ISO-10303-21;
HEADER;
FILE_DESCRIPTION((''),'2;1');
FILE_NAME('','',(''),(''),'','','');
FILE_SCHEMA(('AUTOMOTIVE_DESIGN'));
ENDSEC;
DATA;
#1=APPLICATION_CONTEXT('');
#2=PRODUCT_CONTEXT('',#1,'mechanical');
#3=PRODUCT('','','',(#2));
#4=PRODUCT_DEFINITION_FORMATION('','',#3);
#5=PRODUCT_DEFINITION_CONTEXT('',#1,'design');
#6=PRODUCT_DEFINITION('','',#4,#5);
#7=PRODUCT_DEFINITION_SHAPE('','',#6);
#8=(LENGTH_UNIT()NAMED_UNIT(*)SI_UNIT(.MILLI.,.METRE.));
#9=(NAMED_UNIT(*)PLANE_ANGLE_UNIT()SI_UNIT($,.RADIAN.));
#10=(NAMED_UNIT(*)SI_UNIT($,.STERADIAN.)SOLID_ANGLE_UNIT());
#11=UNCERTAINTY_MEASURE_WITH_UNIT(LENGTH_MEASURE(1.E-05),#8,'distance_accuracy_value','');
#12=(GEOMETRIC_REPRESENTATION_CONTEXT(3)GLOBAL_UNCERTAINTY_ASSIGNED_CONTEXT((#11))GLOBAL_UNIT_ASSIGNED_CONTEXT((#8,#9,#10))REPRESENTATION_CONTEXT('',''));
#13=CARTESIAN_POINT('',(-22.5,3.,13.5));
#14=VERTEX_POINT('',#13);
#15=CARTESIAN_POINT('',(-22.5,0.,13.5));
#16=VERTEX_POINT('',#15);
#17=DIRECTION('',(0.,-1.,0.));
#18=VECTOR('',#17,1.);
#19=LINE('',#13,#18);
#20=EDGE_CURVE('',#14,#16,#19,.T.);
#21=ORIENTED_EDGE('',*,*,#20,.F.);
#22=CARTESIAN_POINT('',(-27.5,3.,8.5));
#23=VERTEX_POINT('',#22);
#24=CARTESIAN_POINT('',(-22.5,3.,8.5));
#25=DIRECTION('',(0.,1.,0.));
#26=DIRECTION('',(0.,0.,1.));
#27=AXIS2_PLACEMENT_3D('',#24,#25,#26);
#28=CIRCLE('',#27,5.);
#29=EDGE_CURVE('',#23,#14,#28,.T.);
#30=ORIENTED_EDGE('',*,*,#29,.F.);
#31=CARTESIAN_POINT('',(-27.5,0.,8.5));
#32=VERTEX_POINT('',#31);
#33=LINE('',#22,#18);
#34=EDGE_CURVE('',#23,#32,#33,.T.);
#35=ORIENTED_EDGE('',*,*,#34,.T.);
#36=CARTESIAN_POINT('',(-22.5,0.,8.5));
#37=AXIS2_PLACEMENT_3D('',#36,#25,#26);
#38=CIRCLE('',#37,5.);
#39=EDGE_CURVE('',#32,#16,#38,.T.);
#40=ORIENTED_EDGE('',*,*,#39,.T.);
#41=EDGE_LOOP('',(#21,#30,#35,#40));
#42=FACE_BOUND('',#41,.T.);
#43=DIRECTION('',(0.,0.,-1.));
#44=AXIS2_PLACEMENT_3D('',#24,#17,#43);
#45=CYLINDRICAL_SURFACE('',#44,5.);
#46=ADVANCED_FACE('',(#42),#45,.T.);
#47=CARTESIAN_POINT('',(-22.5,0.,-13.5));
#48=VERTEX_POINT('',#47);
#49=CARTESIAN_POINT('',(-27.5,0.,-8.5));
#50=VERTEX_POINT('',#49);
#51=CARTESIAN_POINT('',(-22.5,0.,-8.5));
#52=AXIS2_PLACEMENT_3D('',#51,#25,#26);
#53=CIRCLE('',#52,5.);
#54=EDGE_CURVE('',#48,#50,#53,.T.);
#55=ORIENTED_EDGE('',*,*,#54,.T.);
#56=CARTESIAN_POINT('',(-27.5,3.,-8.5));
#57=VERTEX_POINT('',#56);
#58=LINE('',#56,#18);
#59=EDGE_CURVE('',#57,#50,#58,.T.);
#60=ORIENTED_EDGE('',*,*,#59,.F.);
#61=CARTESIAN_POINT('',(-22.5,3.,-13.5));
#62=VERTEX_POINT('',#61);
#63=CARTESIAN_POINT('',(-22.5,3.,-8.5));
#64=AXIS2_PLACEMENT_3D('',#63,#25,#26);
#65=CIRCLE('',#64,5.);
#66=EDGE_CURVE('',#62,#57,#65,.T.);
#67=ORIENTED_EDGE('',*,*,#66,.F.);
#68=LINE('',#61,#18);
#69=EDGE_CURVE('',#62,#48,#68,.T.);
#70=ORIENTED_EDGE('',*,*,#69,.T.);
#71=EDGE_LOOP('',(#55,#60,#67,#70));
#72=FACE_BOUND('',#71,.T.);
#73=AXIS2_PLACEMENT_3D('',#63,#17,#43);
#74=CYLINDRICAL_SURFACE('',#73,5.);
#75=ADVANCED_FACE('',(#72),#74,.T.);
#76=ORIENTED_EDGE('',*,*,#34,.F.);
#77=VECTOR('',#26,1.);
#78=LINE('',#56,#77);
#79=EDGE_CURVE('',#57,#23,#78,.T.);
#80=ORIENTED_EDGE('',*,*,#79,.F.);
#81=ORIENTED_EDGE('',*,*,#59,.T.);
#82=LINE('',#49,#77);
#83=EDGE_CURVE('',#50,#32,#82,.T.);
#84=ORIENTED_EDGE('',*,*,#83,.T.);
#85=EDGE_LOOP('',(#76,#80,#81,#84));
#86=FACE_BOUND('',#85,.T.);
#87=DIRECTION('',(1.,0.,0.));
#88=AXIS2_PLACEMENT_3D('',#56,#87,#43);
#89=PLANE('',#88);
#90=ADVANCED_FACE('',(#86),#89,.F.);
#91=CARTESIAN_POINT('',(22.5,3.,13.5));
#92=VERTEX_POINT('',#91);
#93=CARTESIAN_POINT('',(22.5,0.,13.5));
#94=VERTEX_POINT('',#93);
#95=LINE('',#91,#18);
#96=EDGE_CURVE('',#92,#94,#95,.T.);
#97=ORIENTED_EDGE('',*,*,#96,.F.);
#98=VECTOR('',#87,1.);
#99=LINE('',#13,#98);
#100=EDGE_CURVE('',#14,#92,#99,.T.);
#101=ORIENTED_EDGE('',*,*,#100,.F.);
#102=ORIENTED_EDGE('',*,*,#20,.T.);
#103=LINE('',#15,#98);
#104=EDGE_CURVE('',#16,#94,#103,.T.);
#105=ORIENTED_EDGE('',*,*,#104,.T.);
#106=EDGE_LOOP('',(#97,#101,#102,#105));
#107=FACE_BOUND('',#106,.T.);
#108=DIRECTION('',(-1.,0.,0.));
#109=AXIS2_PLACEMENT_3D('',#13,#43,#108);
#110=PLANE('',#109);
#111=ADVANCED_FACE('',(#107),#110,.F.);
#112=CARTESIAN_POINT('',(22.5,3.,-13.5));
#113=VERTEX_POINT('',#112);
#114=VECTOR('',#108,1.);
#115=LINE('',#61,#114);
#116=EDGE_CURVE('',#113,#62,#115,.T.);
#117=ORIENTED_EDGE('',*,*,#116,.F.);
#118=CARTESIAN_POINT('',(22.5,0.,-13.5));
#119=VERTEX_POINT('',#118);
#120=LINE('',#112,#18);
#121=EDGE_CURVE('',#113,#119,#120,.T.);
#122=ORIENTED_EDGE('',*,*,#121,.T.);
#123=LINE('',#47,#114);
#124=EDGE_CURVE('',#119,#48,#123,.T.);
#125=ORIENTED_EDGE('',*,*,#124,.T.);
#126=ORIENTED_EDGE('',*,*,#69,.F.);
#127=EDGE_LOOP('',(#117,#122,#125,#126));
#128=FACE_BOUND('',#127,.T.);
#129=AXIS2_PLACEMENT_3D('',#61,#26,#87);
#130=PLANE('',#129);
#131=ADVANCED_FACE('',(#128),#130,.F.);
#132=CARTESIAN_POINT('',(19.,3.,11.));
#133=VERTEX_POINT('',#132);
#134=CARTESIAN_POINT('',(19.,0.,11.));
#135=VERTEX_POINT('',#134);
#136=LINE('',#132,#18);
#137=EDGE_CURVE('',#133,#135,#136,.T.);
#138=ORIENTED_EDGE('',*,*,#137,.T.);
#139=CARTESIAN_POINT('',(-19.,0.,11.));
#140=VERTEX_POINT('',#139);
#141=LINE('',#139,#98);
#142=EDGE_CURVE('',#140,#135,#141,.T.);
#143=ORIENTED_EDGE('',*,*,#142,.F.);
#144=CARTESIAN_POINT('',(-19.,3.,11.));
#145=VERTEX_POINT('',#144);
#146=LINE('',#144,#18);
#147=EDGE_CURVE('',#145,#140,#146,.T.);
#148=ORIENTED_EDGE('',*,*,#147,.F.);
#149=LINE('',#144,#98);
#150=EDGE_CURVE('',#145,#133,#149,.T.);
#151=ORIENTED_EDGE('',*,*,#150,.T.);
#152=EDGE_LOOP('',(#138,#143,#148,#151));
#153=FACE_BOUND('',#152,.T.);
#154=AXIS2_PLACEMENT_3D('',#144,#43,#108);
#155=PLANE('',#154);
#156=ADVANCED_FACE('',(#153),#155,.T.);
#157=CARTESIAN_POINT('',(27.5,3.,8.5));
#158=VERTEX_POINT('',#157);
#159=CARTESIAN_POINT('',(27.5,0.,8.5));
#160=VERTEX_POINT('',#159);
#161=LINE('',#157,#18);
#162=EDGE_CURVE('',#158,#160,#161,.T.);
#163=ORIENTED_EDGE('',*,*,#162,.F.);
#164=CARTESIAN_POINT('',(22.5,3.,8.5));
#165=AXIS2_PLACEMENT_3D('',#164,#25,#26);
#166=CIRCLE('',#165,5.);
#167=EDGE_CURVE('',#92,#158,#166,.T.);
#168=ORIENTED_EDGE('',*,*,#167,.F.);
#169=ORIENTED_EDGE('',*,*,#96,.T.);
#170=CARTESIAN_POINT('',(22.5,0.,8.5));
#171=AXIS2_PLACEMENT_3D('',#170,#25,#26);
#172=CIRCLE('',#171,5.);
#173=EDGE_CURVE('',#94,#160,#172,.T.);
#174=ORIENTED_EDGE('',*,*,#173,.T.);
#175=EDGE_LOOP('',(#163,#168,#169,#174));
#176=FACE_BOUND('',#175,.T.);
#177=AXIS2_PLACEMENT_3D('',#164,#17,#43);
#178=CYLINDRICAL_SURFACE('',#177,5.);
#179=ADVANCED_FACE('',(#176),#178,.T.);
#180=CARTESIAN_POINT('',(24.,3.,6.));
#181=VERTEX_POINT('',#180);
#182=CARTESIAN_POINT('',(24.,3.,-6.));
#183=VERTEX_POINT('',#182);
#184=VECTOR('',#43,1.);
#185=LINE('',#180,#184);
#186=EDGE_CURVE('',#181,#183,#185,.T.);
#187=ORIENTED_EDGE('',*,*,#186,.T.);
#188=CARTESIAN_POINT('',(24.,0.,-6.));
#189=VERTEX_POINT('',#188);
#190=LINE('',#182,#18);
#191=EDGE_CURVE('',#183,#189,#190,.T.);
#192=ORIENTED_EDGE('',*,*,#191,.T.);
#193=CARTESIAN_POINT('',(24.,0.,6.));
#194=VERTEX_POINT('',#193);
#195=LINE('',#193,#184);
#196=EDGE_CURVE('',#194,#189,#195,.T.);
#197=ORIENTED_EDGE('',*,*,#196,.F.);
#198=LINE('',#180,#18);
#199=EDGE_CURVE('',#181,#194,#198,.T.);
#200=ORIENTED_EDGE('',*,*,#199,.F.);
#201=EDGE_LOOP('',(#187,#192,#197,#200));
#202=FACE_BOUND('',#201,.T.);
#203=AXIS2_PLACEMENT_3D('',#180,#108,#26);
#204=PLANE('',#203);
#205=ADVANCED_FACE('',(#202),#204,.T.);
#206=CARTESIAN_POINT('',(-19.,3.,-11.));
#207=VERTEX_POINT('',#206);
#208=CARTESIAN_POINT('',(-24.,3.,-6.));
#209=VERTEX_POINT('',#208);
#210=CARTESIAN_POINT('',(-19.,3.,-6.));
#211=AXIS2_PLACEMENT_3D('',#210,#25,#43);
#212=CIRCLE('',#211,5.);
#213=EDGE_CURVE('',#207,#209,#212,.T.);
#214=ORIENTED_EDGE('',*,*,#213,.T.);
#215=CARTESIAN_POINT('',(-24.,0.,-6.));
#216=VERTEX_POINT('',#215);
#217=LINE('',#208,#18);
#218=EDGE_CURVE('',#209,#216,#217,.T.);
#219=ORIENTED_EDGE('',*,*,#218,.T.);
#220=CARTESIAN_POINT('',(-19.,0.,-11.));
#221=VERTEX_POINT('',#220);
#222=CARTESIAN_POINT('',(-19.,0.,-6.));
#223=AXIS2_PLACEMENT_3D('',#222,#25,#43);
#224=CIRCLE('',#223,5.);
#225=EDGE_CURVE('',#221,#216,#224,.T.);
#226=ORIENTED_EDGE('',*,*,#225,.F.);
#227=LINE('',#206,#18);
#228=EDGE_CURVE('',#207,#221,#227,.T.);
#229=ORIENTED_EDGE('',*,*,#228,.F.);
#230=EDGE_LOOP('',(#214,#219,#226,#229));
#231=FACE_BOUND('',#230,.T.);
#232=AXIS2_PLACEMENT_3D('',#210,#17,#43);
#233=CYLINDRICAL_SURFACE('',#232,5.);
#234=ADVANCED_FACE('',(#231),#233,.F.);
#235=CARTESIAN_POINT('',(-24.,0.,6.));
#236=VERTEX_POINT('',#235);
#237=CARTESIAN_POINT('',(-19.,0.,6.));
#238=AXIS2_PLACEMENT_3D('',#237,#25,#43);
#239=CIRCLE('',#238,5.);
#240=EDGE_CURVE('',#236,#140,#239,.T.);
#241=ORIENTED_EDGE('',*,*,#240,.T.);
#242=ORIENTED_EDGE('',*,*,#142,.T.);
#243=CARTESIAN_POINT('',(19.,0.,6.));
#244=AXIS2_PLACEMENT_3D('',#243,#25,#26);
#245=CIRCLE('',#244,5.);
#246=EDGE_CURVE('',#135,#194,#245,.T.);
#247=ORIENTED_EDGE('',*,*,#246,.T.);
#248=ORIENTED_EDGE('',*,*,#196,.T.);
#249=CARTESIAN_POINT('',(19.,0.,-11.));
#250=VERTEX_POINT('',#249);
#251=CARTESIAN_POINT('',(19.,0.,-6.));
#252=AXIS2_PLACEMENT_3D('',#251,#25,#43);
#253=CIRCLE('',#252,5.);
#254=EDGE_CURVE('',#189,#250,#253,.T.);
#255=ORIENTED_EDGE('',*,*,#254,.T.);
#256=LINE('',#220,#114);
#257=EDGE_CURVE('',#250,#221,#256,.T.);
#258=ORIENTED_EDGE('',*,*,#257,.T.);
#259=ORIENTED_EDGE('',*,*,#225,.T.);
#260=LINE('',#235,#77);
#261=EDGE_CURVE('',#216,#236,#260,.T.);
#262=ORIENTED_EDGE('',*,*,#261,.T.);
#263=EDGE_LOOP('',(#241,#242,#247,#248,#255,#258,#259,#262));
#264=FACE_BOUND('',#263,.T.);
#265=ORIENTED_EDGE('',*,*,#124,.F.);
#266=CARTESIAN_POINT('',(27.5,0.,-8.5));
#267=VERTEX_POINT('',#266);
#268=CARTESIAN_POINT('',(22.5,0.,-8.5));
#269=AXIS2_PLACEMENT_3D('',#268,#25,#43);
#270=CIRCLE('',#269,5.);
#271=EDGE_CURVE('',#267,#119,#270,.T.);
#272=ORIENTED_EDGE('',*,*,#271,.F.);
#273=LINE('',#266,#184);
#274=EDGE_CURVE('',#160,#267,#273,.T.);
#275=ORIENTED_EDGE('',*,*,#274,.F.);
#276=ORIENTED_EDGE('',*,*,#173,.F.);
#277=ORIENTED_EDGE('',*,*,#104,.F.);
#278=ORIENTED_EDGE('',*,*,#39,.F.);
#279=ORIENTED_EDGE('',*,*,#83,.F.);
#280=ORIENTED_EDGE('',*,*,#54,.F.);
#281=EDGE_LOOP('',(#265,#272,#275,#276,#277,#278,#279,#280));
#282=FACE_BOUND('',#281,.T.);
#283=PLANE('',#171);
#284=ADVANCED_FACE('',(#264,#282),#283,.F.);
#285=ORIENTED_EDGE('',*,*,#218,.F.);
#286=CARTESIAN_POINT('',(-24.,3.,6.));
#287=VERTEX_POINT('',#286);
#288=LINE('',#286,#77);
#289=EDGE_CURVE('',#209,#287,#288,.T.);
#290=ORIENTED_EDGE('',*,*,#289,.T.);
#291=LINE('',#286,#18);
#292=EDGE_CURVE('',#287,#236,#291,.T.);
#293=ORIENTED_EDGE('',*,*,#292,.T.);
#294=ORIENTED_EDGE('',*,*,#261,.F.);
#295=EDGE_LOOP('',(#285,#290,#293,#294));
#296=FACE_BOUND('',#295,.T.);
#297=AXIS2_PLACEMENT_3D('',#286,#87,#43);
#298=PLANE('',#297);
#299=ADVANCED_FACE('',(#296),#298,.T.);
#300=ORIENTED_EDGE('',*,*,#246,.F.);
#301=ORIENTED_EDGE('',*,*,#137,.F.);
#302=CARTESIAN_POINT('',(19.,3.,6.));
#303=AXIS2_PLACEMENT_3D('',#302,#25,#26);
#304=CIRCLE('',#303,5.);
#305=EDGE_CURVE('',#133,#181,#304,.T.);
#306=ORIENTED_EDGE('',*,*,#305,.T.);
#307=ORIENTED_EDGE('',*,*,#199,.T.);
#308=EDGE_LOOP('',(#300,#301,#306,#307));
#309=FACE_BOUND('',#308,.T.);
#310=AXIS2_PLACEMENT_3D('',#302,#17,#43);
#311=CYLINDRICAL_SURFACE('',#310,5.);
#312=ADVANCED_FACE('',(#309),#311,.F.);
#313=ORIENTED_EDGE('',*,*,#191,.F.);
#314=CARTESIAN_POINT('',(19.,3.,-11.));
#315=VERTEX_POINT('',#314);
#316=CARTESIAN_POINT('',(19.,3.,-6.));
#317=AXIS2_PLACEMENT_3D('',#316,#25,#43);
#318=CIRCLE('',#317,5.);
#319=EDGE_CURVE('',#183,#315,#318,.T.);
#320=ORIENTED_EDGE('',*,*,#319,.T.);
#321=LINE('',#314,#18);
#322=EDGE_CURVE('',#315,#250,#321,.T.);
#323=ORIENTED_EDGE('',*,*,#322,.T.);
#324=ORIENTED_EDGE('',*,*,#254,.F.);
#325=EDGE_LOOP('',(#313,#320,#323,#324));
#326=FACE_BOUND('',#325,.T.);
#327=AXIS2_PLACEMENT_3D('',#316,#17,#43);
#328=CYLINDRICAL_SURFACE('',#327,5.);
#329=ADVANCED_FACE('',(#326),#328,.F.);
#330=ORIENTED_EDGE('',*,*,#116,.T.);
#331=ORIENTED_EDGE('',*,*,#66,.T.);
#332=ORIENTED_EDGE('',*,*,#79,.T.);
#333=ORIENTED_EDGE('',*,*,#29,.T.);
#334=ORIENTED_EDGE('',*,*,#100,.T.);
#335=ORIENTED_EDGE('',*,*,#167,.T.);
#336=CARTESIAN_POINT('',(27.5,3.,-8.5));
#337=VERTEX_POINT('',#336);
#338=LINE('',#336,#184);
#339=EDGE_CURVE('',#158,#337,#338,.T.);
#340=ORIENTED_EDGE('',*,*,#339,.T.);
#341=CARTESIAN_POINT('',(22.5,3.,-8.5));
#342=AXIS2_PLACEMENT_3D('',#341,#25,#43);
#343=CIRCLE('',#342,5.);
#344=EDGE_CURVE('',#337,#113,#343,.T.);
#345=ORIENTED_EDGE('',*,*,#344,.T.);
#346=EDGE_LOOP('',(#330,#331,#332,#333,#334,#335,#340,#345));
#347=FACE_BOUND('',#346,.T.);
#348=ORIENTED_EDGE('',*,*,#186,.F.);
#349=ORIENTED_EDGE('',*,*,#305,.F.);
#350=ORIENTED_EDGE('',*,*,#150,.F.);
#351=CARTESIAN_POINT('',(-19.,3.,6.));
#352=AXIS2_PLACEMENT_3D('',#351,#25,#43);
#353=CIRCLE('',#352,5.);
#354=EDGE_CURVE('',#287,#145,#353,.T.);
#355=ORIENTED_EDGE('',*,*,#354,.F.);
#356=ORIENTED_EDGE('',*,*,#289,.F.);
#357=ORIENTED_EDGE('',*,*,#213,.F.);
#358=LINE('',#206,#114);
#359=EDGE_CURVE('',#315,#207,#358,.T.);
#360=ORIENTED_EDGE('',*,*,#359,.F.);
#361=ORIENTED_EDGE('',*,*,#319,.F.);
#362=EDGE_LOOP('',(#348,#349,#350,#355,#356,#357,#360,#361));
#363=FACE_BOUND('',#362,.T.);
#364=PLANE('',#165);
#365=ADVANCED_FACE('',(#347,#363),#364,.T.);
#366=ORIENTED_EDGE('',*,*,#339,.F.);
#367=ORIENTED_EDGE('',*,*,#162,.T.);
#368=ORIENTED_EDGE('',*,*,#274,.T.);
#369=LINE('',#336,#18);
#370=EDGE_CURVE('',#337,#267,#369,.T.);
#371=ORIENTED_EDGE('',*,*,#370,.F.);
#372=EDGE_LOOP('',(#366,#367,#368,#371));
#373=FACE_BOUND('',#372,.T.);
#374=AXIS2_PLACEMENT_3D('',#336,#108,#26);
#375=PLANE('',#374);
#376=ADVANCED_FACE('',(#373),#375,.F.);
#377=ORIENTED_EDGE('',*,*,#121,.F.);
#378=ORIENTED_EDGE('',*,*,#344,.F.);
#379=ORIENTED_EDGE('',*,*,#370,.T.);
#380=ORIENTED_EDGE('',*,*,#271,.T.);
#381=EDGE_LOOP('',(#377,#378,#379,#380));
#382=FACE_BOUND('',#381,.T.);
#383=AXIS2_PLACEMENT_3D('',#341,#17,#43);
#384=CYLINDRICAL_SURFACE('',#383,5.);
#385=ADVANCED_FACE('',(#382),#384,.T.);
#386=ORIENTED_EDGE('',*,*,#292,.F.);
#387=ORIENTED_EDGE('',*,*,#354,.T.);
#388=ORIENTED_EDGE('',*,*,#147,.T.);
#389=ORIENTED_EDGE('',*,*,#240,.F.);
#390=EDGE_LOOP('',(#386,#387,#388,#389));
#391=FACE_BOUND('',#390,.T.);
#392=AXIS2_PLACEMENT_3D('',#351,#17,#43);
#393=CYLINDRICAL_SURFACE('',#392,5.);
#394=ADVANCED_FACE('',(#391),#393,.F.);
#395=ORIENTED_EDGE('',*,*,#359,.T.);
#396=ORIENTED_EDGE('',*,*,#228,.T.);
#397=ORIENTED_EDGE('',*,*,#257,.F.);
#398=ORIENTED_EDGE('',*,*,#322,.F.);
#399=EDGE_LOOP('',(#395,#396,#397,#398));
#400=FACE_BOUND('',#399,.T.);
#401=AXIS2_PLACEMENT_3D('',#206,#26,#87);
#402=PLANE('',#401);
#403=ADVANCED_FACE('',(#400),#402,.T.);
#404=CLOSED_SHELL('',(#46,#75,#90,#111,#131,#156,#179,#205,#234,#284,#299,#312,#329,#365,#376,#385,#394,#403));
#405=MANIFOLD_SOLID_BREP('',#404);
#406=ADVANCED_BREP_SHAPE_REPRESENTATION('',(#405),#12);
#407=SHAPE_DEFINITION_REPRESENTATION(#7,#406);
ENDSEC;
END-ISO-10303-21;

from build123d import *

# Parameters (mm, degrees)
BOSS_EXTRUDE1_DEPTH = 3


with BuildPart() as part:
    # Sketch1 → Boss-Extrude1 (new body)
    with BuildSketch(Plane(origin=(0, 0, 0), x_dir=(1, 0, 0), z_dir=(0, 1, 0))):
        with BuildLine():
            Line((-22.5, 13.5), (22.5, 13.5))
            ThreePointArc((22.5, 13.5), (26.035533906, 12.035533906), (27.5, 8.5))
            Line((27.5, 8.5), (27.5, -8.5))
            ThreePointArc((27.5, -8.5), (26.035533906, -12.035533906), (22.5, -13.5))
            Line((22.5, -13.5), (-22.5, -13.5))
            ThreePointArc((-22.5, -13.5), (-26.035533906, -12.035533906), (-27.5, -8.5))
            Line((-27.5, -8.5), (-27.5, 8.5))
            ThreePointArc((-27.5, 8.5), (-26.035533906, 12.035533906), (-22.5, 13.5))
        make_face()
        with BuildLine():
            Line((-19, -11), (19, -11))
            ThreePointArc((19, -11), (22.535533906, -9.535533906), (24, -6))
            Line((24, -6), (24, 6))
            ThreePointArc((24, 6), (22.535533906, 9.535533906), (19, 11))
            Line((19, 11), (-19, 11))
            ThreePointArc((-19, 11), (-22.535533906, 9.535533906), (-24, 6))
            Line((-24, 6), (-24, -6))
            ThreePointArc((-24, -6), (-22.535533906, -9.535533906), (-19, -11))
        make_face(mode=Mode.SUBTRACT)
    extrude(amount=BOSS_EXTRUDE1_DEPTH)


solid = part.part
